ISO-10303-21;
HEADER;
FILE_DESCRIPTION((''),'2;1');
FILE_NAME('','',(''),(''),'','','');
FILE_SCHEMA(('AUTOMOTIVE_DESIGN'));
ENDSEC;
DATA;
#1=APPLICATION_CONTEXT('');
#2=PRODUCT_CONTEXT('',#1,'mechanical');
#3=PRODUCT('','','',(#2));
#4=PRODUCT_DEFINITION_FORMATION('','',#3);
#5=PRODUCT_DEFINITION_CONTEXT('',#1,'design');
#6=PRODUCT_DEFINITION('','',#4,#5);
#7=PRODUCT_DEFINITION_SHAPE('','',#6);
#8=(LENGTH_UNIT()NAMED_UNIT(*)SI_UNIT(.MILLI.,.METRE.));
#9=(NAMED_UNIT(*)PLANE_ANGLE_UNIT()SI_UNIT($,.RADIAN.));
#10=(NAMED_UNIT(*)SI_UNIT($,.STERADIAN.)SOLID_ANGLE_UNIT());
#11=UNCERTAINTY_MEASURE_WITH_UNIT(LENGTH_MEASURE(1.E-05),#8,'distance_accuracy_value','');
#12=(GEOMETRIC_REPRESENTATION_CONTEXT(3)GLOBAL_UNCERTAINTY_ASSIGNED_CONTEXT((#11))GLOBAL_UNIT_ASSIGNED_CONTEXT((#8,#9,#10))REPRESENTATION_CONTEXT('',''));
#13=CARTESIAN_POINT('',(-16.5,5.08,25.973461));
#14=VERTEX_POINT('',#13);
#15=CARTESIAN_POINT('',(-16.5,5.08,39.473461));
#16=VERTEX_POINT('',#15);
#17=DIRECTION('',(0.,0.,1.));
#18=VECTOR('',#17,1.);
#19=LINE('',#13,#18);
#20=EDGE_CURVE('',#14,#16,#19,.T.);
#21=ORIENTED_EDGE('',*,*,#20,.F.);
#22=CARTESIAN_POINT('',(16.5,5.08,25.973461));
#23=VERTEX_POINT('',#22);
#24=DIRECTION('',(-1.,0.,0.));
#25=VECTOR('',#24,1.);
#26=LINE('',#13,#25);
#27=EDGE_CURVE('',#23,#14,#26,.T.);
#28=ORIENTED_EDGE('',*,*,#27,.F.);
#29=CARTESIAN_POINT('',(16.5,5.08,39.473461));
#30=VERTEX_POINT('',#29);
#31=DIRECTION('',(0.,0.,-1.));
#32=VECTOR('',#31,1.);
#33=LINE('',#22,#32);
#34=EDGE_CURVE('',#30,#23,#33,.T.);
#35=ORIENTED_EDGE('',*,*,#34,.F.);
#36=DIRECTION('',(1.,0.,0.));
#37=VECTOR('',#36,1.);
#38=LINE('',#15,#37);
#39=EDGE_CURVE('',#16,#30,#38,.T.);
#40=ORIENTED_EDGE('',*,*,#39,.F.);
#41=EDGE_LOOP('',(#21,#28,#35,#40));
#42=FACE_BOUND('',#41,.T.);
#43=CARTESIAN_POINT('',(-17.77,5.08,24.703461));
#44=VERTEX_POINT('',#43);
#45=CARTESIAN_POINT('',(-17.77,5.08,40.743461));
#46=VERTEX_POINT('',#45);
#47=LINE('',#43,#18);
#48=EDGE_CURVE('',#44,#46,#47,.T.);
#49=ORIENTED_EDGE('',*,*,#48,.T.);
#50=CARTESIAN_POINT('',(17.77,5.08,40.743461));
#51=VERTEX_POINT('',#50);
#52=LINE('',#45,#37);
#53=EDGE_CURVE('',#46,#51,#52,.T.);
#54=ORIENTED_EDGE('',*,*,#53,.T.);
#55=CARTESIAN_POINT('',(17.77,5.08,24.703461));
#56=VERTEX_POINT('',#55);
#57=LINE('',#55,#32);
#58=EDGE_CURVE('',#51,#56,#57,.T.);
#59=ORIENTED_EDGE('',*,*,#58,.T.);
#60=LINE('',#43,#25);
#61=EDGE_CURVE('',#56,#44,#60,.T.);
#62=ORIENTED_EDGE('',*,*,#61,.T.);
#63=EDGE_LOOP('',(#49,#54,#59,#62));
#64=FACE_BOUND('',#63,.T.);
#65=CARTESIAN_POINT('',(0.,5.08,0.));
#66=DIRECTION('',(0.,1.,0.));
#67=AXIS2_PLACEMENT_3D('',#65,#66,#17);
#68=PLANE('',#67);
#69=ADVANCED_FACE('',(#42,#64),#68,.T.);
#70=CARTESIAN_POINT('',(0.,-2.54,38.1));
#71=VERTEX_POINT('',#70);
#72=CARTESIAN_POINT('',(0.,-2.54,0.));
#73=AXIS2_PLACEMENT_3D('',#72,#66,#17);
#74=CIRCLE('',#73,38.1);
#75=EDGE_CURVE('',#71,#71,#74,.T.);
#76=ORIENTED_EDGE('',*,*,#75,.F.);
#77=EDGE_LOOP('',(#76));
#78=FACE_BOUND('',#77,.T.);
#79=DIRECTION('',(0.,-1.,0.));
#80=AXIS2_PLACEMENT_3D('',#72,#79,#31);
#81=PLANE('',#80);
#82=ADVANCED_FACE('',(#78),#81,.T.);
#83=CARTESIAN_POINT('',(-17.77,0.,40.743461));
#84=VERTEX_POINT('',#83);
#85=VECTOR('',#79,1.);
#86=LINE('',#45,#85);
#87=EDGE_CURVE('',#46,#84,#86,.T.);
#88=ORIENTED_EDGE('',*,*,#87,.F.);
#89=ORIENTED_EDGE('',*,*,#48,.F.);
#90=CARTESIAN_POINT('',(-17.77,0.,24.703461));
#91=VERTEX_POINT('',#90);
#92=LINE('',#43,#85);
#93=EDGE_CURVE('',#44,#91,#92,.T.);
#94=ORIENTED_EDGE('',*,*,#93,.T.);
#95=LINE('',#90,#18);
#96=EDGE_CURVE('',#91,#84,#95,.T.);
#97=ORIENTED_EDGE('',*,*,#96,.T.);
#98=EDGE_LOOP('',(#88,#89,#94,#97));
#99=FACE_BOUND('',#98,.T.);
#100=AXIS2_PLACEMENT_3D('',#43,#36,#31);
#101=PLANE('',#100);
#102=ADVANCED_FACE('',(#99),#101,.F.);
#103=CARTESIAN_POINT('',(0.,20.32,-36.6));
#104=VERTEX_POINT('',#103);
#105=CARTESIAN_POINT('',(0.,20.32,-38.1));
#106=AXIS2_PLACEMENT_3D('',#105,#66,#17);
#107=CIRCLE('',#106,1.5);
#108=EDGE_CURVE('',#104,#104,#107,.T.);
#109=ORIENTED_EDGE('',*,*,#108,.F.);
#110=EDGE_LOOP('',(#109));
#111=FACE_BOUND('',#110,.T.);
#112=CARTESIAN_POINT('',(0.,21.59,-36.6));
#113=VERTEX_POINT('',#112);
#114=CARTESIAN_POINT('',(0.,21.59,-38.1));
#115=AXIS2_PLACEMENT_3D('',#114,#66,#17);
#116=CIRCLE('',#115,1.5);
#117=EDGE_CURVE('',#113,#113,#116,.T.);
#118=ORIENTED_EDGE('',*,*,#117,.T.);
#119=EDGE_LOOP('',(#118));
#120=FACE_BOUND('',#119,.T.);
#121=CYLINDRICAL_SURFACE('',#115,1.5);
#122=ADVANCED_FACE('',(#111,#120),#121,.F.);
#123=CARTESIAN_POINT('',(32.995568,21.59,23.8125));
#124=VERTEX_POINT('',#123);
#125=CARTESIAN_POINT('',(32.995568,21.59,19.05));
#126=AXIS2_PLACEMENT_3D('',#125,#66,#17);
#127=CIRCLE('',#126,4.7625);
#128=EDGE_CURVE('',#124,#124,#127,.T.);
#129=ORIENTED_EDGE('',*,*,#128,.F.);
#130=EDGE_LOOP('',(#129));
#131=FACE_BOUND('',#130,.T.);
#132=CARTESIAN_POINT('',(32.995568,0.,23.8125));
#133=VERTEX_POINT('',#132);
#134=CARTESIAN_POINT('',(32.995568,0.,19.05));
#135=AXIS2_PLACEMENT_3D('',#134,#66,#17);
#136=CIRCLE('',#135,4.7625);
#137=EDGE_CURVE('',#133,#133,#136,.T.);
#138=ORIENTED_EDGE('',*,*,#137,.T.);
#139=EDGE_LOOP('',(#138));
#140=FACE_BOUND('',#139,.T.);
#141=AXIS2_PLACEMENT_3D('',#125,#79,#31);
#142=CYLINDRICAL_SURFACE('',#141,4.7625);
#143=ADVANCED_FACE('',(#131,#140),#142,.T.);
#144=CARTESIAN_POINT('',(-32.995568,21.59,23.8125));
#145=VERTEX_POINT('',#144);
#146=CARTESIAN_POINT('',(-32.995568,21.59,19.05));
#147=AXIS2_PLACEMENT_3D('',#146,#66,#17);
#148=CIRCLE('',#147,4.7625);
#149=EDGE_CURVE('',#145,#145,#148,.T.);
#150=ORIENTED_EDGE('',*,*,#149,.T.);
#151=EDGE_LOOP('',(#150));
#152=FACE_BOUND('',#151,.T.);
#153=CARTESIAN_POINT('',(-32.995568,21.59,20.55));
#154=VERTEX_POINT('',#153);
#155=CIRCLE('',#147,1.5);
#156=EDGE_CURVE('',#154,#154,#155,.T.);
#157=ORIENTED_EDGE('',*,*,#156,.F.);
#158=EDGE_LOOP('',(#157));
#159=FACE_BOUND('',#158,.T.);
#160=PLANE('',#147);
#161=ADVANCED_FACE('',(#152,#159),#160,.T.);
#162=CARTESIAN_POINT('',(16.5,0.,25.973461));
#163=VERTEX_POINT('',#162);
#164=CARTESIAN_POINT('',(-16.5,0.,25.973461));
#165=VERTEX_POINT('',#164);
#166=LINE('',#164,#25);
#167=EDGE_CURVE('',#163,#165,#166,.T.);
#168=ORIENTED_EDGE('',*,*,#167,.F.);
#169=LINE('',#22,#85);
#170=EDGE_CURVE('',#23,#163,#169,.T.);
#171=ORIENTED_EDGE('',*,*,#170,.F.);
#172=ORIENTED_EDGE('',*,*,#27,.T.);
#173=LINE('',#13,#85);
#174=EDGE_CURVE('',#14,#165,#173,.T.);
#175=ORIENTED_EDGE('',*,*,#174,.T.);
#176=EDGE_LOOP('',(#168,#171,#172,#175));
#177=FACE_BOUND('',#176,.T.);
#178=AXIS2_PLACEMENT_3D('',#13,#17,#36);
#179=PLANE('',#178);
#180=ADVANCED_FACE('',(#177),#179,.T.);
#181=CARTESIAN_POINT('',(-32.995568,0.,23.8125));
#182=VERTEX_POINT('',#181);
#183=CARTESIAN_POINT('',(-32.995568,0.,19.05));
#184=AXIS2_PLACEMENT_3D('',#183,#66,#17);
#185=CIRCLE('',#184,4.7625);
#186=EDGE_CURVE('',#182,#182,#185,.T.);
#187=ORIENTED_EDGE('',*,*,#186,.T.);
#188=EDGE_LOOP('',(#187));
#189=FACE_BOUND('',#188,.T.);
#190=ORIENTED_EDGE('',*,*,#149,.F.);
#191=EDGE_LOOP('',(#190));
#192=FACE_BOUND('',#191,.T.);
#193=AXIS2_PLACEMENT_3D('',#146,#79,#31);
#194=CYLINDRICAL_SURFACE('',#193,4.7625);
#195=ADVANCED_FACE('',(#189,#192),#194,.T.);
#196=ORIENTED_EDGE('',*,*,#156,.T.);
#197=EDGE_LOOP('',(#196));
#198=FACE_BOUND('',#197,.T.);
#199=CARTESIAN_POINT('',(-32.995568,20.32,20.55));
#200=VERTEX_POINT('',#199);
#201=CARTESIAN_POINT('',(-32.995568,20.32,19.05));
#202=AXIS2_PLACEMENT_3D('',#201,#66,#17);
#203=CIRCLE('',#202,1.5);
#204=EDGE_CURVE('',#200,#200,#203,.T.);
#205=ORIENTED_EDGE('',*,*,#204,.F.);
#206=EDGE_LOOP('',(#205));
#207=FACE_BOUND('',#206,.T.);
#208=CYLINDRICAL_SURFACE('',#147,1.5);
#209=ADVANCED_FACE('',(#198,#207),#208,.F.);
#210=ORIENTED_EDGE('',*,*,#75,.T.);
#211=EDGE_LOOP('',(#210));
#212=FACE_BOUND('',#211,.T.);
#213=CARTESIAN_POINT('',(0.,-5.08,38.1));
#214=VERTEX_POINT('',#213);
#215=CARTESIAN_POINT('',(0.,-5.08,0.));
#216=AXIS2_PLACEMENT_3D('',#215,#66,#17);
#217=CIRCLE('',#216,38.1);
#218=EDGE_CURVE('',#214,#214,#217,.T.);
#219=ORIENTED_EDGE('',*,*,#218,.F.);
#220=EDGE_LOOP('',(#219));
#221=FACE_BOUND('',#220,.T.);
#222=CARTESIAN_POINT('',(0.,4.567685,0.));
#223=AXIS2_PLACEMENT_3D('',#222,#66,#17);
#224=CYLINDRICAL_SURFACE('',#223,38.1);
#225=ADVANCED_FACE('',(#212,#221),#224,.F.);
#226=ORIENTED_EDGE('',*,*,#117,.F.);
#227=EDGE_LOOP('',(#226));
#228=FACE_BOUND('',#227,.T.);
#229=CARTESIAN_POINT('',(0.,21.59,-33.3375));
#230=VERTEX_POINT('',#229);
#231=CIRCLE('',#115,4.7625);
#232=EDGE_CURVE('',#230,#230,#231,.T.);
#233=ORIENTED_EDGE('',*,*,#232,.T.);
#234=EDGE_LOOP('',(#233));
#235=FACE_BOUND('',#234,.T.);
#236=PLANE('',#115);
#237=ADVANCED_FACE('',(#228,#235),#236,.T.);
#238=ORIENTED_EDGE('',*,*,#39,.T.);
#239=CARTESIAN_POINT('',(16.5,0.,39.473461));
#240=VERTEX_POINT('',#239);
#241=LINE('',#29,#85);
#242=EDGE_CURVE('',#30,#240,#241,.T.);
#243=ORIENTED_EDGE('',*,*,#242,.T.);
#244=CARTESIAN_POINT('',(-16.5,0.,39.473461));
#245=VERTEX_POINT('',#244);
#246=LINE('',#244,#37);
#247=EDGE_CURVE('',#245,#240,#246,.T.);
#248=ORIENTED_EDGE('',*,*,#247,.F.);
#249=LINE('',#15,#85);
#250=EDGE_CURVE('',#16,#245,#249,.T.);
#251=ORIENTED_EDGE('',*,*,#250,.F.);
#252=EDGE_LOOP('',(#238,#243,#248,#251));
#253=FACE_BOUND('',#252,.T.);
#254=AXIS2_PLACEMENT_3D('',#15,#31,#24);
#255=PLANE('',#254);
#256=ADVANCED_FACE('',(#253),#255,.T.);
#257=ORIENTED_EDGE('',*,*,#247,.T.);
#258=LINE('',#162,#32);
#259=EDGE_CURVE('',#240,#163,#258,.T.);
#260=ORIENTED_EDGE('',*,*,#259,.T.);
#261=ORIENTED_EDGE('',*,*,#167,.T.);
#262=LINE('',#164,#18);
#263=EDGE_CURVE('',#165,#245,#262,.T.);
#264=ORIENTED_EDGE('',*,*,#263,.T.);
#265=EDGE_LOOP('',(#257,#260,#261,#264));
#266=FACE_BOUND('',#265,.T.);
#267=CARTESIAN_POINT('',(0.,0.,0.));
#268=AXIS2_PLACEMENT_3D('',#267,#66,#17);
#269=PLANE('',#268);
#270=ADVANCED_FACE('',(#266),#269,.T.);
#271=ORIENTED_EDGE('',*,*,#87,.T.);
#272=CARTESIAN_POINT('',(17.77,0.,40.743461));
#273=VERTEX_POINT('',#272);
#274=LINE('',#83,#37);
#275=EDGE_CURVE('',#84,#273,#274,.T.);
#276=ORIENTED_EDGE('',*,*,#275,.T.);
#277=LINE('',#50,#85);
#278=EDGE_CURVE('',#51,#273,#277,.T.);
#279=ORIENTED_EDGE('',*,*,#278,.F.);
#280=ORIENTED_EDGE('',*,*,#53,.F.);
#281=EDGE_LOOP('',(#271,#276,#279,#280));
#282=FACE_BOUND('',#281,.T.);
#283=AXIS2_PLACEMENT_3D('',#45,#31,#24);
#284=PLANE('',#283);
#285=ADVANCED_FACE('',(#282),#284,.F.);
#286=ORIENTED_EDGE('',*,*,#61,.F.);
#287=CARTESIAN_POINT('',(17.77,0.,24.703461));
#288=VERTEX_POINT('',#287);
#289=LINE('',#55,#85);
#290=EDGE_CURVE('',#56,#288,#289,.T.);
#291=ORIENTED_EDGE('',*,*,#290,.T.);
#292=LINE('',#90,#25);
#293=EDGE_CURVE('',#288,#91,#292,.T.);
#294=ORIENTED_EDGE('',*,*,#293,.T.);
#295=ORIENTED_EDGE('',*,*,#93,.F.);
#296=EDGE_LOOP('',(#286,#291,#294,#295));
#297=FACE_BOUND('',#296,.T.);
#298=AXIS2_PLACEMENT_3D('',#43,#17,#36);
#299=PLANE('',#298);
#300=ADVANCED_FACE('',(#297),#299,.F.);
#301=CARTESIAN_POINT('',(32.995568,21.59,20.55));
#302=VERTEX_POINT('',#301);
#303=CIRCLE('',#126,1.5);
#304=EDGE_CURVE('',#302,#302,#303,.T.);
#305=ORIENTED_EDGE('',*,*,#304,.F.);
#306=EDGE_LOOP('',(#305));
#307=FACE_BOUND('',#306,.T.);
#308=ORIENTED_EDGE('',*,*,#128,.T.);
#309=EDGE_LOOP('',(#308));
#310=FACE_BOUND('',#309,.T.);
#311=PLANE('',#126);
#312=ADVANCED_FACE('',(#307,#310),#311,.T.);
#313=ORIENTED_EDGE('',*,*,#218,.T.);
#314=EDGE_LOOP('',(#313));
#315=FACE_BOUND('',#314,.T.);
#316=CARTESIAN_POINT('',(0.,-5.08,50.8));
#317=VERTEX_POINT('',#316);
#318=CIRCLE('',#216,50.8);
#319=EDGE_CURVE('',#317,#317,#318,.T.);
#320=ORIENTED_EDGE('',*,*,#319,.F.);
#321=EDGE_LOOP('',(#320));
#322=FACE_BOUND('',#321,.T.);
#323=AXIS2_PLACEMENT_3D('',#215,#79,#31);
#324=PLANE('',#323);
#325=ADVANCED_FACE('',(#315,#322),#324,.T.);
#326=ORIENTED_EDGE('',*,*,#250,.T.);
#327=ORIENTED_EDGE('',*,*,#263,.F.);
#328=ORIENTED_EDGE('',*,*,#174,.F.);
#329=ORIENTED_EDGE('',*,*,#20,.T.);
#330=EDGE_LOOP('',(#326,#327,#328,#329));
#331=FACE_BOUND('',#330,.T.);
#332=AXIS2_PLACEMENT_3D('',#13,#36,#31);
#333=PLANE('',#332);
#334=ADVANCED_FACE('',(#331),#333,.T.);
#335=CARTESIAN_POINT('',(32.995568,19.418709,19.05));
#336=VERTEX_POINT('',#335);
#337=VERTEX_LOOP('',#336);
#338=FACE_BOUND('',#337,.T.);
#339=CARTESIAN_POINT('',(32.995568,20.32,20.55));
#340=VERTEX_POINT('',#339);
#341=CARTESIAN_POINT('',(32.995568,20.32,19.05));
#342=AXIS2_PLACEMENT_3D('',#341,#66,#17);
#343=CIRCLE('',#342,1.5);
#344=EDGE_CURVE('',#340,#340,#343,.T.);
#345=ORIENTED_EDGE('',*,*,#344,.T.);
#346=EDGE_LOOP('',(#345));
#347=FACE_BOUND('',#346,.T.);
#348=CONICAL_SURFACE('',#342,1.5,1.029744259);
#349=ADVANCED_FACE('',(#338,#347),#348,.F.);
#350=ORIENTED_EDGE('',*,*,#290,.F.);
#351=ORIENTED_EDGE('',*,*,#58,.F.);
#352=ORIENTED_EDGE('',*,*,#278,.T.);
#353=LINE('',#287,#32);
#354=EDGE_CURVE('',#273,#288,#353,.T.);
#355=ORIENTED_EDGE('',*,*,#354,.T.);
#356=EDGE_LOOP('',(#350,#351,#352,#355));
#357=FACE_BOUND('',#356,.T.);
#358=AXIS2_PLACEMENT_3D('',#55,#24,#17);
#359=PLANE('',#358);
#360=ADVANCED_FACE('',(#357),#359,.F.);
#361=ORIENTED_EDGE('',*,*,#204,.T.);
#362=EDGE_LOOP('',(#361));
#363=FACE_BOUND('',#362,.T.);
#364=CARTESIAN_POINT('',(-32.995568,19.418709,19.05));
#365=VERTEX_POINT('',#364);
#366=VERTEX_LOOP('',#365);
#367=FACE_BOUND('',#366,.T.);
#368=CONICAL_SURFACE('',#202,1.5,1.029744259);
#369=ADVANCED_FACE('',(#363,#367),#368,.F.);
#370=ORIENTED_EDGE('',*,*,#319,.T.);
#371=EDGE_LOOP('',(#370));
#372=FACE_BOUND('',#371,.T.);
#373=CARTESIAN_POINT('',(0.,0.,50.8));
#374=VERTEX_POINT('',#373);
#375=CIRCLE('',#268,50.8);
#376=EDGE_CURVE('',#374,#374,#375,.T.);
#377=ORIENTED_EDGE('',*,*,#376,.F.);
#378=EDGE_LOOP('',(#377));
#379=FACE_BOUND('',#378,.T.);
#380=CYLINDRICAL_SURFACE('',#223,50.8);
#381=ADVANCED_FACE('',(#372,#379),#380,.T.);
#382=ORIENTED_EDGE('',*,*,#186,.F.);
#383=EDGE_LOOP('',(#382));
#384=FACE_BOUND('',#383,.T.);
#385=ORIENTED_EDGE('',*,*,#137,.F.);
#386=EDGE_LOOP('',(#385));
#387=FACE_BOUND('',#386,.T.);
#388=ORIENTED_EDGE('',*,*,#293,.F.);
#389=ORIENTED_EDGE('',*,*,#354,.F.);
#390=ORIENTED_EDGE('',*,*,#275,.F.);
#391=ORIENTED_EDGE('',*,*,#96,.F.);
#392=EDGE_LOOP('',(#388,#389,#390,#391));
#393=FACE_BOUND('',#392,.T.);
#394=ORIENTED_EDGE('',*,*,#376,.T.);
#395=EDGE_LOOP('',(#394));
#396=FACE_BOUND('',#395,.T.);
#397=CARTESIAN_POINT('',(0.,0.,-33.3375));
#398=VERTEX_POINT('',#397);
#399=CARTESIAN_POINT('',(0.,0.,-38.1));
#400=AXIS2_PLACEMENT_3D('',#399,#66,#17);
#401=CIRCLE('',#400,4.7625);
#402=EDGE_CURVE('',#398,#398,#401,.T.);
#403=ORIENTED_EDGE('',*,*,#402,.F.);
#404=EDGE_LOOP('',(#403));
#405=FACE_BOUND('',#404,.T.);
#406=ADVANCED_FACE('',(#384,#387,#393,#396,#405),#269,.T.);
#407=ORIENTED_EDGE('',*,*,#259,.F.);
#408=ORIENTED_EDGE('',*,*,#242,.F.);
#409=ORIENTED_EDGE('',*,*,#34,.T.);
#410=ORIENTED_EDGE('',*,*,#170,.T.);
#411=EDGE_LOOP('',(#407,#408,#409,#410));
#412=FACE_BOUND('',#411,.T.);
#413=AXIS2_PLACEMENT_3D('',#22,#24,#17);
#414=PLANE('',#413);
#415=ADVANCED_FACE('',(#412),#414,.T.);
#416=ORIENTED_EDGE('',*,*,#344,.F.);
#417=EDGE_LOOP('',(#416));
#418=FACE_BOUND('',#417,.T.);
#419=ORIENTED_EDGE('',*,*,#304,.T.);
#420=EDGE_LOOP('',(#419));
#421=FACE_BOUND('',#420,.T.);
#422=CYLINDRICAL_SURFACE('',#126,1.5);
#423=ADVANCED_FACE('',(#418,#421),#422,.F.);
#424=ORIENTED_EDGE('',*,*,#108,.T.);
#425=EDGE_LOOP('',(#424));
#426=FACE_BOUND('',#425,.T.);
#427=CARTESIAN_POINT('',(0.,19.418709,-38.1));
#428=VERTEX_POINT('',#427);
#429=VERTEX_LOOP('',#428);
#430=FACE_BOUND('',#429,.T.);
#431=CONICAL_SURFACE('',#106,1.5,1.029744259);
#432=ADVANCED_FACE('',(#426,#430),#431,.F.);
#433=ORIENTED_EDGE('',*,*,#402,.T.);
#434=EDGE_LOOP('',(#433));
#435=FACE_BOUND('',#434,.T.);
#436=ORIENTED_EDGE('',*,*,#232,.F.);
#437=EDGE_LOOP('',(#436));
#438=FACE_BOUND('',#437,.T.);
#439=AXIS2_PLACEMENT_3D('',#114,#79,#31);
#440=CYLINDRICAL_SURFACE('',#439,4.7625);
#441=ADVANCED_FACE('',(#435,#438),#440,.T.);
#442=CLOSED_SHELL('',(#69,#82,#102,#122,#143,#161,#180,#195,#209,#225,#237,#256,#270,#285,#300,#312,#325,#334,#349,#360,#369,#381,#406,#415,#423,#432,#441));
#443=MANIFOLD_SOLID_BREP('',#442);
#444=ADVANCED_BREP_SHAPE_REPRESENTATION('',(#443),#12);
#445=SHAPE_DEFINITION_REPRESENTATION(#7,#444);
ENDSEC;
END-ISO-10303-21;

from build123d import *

# Parameters (mm, degrees)
SKETCH3_R                 = 4.7625
BOSS_EXTRUDE1_DEPTH       = 21.59
M4X0_7_TAPPED_HOLE1_D     = 3
M4X0_7_TAPPED_HOLE1_DEPTH = 1.27
M4X0_7_TAPPED_HOLE1_TIP   = 0.901290929
SKETCH12_W                = 35.54
SKETCH12_H                = 16.04
SKETCH12_W_2              = 33
SKETCH12_H_2              = 13.5
BOSS_EXTRUDE2_DEPTH       = 5.08


with BuildPart() as part:
    # Sketch1 → Revolve1 (revolve)
    with BuildSketch(Plane.XY, mode=Mode.PRIVATE) as revolve1_sk:
        Polygon((-38.1, -2.54), (0, -2.54), (0, 0), (-50.8, 0), (-50.8, -5.08), (-38.1, -5.08), align=None)
    revolve(revolve1_sk.sketch.rotate(Axis((0, 4.567685351, 0), (0, -1, 0)), 270), axis=Axis((0, 4.567685351, 0), (0, -1, 0)))

    # Sketch3 → Boss-Extrude1 (add)
    with BuildSketch(Plane(origin=(0, 0, 0), x_dir=(1, 0, 0), z_dir=(0, 1, 0))):
        with Locations(Location((0, 38.1, 0), (0, 0, 270))):
            Circle(SKETCH3_R)
        with Locations(Location((-32.995567884, -19.05, 0), (0, 0, 270))):
            Circle(SKETCH3_R)
        with Locations(Location((32.995567884, -19.05, 0), (0, 0, 270))):
            Circle(SKETCH3_R)
    extrude(amount=BOSS_EXTRUDE1_DEPTH)

    # M4x0.7 Tapped Hole1
    with Locations(Plane(origin=(0, 21.59, 0), x_dir=(1, 0, 0), z_dir=(0, 1, 0))):
        with Locations((-32.995567884, -19.05), (0, 38.1), (32.995567884, -19.05)):
            Hole(M4X0_7_TAPPED_HOLE1_D / 2, depth=M4X0_7_TAPPED_HOLE1_DEPTH)
            with Locations((0, 0, -(M4X0_7_TAPPED_HOLE1_DEPTH + M4X0_7_TAPPED_HOLE1_TIP / 2))):  # 118° drill point
                Cone(0, M4X0_7_TAPPED_HOLE1_D / 2, M4X0_7_TAPPED_HOLE1_TIP, mode=Mode.SUBTRACT)

    # Sketch12 → Boss-Extrude2 (add)
    with BuildSketch(Plane(origin=(0, 0, 0), x_dir=(1, 0, 0), z_dir=(0, 1, 0))):
        with Locations((0, -32.723460825)):
            Rectangle(SKETCH12_W, SKETCH12_H)
        with Locations((0, -32.723460825)):
            Rectangle(SKETCH12_W_2, SKETCH12_H_2, mode=Mode.SUBTRACT)
    extrude(amount=BOSS_EXTRUDE2_DEPTH)


solid = part.part
